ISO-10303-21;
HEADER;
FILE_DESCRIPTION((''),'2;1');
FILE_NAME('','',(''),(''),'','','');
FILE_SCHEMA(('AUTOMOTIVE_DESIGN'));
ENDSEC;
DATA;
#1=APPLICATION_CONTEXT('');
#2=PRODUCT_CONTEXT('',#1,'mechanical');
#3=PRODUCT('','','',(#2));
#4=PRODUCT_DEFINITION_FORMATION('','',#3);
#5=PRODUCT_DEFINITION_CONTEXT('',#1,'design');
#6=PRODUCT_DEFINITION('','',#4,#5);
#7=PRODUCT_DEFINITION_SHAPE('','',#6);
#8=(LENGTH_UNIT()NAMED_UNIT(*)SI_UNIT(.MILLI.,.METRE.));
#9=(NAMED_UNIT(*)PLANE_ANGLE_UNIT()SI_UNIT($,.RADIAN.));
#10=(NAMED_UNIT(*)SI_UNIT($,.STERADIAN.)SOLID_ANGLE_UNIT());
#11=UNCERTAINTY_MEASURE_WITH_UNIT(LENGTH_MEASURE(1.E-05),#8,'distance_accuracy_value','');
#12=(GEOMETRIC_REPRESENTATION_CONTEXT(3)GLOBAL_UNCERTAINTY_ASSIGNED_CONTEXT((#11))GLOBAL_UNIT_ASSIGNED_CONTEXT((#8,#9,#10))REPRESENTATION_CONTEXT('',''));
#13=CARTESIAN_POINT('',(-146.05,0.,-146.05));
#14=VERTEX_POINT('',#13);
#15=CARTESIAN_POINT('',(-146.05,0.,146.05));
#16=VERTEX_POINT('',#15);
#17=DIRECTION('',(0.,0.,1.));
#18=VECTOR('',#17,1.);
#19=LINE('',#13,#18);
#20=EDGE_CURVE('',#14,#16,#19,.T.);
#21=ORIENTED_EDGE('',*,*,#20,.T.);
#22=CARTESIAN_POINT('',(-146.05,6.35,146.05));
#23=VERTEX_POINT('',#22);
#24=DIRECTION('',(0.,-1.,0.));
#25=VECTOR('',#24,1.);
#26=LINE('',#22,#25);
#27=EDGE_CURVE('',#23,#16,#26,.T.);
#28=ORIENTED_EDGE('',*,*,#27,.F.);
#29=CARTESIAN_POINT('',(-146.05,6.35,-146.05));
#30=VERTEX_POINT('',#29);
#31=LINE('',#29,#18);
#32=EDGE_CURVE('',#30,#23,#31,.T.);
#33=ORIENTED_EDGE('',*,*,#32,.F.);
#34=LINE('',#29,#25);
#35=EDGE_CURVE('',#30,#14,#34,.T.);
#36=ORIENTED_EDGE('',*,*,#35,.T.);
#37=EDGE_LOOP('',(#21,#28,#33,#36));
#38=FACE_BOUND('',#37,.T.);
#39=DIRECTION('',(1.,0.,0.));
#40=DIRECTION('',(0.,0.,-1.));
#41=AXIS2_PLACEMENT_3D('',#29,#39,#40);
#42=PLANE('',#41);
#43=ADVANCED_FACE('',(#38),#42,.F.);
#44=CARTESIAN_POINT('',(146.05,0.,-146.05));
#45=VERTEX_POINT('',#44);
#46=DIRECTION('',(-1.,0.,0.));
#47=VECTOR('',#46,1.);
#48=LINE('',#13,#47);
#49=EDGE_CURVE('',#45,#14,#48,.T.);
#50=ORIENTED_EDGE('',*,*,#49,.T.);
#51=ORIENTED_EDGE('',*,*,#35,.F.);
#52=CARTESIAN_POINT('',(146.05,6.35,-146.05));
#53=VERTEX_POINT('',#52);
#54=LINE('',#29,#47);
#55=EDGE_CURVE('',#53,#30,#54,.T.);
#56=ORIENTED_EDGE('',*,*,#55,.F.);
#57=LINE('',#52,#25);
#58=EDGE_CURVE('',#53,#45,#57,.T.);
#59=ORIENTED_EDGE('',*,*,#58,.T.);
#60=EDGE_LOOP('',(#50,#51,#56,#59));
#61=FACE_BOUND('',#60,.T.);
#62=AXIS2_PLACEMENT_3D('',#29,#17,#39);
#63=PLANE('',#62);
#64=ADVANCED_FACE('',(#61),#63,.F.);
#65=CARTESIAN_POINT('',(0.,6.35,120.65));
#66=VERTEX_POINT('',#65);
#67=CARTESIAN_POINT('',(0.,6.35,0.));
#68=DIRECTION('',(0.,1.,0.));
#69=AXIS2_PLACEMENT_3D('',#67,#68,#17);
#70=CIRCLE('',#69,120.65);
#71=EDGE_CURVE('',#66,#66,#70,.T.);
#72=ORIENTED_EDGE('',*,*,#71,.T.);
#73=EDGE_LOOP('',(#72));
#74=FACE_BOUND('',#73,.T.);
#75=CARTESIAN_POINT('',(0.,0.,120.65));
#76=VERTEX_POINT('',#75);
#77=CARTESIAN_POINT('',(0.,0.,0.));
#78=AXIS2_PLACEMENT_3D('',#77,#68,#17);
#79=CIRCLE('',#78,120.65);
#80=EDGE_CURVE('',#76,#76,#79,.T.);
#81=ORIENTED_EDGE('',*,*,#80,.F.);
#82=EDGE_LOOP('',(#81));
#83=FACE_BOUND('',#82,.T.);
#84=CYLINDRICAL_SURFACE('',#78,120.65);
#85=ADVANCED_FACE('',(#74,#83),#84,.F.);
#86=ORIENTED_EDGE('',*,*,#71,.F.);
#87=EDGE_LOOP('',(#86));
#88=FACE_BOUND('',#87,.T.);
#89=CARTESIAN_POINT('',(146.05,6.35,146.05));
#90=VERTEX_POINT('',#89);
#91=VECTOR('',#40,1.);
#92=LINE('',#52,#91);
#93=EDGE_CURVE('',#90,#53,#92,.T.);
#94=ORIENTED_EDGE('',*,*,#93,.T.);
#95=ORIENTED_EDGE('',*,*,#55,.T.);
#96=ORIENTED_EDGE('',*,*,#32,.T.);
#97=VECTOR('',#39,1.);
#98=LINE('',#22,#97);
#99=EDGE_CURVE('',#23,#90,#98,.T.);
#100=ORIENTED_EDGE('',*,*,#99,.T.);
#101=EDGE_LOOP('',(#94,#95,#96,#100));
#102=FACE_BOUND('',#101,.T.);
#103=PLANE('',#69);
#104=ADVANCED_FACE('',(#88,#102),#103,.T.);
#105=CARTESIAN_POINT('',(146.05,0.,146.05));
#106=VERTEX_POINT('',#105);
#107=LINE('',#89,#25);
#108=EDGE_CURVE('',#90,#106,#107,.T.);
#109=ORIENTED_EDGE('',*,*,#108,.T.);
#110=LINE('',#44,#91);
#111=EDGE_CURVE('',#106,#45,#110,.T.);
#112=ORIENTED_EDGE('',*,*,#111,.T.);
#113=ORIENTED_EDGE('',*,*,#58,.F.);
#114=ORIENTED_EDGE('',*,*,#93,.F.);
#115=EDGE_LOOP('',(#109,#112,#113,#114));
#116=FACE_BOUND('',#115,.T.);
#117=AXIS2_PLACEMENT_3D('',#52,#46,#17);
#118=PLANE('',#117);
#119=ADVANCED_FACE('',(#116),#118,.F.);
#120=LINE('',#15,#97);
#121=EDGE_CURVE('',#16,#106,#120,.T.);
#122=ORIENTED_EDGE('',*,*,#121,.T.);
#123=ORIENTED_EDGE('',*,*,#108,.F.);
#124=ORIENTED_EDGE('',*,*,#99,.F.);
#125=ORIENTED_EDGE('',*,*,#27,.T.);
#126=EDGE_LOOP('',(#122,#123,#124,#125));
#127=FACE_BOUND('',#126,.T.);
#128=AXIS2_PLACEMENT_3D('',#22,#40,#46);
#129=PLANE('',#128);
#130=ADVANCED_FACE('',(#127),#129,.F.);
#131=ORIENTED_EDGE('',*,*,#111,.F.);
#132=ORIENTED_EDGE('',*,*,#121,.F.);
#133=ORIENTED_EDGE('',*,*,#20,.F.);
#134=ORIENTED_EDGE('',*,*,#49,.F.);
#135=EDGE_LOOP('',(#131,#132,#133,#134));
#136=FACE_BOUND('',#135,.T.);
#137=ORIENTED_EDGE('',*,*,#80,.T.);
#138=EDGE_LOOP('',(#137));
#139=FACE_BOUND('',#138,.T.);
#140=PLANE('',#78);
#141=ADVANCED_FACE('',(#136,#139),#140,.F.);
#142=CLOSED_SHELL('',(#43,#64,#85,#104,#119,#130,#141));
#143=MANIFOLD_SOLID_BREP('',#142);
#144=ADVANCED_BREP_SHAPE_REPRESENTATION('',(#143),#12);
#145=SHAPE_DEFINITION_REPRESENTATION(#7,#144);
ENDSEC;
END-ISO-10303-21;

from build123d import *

# Parameters (mm, degrees)
SKETCH1_W           = 292.1
SKETCH1_H           = 292.1
BOSS_EXTRUDE1_DEPTH = 6.35
SKETCH2_R           = 120.65
CUT_EXTRUDE1_DEPTH  = 6.35


with BuildPart() as part:
    # Sketch1 → Boss-Extrude1 (new body)
    with BuildSketch(Plane(origin=(0, 0, 0), x_dir=(1, 0, 0), z_dir=(0, 1, 0))):
        Rectangle(SKETCH1_W, SKETCH1_H)
    extrude(amount=BOSS_EXTRUDE1_DEPTH)

    # Sketch2 → Cut-Extrude1 (cut)
    with BuildSketch(Plane(origin=(0, 6.35, 0), x_dir=(1, 0, 0), z_dir=(0, 1, 0))):
        with Locations(Location((0, 0, 0), (0, 0, 270))):
            Circle(SKETCH2_R)
    extrude(amount=-CUT_EXTRUDE1_DEPTH, mode=Mode.SUBTRACT)


solid = part.part
